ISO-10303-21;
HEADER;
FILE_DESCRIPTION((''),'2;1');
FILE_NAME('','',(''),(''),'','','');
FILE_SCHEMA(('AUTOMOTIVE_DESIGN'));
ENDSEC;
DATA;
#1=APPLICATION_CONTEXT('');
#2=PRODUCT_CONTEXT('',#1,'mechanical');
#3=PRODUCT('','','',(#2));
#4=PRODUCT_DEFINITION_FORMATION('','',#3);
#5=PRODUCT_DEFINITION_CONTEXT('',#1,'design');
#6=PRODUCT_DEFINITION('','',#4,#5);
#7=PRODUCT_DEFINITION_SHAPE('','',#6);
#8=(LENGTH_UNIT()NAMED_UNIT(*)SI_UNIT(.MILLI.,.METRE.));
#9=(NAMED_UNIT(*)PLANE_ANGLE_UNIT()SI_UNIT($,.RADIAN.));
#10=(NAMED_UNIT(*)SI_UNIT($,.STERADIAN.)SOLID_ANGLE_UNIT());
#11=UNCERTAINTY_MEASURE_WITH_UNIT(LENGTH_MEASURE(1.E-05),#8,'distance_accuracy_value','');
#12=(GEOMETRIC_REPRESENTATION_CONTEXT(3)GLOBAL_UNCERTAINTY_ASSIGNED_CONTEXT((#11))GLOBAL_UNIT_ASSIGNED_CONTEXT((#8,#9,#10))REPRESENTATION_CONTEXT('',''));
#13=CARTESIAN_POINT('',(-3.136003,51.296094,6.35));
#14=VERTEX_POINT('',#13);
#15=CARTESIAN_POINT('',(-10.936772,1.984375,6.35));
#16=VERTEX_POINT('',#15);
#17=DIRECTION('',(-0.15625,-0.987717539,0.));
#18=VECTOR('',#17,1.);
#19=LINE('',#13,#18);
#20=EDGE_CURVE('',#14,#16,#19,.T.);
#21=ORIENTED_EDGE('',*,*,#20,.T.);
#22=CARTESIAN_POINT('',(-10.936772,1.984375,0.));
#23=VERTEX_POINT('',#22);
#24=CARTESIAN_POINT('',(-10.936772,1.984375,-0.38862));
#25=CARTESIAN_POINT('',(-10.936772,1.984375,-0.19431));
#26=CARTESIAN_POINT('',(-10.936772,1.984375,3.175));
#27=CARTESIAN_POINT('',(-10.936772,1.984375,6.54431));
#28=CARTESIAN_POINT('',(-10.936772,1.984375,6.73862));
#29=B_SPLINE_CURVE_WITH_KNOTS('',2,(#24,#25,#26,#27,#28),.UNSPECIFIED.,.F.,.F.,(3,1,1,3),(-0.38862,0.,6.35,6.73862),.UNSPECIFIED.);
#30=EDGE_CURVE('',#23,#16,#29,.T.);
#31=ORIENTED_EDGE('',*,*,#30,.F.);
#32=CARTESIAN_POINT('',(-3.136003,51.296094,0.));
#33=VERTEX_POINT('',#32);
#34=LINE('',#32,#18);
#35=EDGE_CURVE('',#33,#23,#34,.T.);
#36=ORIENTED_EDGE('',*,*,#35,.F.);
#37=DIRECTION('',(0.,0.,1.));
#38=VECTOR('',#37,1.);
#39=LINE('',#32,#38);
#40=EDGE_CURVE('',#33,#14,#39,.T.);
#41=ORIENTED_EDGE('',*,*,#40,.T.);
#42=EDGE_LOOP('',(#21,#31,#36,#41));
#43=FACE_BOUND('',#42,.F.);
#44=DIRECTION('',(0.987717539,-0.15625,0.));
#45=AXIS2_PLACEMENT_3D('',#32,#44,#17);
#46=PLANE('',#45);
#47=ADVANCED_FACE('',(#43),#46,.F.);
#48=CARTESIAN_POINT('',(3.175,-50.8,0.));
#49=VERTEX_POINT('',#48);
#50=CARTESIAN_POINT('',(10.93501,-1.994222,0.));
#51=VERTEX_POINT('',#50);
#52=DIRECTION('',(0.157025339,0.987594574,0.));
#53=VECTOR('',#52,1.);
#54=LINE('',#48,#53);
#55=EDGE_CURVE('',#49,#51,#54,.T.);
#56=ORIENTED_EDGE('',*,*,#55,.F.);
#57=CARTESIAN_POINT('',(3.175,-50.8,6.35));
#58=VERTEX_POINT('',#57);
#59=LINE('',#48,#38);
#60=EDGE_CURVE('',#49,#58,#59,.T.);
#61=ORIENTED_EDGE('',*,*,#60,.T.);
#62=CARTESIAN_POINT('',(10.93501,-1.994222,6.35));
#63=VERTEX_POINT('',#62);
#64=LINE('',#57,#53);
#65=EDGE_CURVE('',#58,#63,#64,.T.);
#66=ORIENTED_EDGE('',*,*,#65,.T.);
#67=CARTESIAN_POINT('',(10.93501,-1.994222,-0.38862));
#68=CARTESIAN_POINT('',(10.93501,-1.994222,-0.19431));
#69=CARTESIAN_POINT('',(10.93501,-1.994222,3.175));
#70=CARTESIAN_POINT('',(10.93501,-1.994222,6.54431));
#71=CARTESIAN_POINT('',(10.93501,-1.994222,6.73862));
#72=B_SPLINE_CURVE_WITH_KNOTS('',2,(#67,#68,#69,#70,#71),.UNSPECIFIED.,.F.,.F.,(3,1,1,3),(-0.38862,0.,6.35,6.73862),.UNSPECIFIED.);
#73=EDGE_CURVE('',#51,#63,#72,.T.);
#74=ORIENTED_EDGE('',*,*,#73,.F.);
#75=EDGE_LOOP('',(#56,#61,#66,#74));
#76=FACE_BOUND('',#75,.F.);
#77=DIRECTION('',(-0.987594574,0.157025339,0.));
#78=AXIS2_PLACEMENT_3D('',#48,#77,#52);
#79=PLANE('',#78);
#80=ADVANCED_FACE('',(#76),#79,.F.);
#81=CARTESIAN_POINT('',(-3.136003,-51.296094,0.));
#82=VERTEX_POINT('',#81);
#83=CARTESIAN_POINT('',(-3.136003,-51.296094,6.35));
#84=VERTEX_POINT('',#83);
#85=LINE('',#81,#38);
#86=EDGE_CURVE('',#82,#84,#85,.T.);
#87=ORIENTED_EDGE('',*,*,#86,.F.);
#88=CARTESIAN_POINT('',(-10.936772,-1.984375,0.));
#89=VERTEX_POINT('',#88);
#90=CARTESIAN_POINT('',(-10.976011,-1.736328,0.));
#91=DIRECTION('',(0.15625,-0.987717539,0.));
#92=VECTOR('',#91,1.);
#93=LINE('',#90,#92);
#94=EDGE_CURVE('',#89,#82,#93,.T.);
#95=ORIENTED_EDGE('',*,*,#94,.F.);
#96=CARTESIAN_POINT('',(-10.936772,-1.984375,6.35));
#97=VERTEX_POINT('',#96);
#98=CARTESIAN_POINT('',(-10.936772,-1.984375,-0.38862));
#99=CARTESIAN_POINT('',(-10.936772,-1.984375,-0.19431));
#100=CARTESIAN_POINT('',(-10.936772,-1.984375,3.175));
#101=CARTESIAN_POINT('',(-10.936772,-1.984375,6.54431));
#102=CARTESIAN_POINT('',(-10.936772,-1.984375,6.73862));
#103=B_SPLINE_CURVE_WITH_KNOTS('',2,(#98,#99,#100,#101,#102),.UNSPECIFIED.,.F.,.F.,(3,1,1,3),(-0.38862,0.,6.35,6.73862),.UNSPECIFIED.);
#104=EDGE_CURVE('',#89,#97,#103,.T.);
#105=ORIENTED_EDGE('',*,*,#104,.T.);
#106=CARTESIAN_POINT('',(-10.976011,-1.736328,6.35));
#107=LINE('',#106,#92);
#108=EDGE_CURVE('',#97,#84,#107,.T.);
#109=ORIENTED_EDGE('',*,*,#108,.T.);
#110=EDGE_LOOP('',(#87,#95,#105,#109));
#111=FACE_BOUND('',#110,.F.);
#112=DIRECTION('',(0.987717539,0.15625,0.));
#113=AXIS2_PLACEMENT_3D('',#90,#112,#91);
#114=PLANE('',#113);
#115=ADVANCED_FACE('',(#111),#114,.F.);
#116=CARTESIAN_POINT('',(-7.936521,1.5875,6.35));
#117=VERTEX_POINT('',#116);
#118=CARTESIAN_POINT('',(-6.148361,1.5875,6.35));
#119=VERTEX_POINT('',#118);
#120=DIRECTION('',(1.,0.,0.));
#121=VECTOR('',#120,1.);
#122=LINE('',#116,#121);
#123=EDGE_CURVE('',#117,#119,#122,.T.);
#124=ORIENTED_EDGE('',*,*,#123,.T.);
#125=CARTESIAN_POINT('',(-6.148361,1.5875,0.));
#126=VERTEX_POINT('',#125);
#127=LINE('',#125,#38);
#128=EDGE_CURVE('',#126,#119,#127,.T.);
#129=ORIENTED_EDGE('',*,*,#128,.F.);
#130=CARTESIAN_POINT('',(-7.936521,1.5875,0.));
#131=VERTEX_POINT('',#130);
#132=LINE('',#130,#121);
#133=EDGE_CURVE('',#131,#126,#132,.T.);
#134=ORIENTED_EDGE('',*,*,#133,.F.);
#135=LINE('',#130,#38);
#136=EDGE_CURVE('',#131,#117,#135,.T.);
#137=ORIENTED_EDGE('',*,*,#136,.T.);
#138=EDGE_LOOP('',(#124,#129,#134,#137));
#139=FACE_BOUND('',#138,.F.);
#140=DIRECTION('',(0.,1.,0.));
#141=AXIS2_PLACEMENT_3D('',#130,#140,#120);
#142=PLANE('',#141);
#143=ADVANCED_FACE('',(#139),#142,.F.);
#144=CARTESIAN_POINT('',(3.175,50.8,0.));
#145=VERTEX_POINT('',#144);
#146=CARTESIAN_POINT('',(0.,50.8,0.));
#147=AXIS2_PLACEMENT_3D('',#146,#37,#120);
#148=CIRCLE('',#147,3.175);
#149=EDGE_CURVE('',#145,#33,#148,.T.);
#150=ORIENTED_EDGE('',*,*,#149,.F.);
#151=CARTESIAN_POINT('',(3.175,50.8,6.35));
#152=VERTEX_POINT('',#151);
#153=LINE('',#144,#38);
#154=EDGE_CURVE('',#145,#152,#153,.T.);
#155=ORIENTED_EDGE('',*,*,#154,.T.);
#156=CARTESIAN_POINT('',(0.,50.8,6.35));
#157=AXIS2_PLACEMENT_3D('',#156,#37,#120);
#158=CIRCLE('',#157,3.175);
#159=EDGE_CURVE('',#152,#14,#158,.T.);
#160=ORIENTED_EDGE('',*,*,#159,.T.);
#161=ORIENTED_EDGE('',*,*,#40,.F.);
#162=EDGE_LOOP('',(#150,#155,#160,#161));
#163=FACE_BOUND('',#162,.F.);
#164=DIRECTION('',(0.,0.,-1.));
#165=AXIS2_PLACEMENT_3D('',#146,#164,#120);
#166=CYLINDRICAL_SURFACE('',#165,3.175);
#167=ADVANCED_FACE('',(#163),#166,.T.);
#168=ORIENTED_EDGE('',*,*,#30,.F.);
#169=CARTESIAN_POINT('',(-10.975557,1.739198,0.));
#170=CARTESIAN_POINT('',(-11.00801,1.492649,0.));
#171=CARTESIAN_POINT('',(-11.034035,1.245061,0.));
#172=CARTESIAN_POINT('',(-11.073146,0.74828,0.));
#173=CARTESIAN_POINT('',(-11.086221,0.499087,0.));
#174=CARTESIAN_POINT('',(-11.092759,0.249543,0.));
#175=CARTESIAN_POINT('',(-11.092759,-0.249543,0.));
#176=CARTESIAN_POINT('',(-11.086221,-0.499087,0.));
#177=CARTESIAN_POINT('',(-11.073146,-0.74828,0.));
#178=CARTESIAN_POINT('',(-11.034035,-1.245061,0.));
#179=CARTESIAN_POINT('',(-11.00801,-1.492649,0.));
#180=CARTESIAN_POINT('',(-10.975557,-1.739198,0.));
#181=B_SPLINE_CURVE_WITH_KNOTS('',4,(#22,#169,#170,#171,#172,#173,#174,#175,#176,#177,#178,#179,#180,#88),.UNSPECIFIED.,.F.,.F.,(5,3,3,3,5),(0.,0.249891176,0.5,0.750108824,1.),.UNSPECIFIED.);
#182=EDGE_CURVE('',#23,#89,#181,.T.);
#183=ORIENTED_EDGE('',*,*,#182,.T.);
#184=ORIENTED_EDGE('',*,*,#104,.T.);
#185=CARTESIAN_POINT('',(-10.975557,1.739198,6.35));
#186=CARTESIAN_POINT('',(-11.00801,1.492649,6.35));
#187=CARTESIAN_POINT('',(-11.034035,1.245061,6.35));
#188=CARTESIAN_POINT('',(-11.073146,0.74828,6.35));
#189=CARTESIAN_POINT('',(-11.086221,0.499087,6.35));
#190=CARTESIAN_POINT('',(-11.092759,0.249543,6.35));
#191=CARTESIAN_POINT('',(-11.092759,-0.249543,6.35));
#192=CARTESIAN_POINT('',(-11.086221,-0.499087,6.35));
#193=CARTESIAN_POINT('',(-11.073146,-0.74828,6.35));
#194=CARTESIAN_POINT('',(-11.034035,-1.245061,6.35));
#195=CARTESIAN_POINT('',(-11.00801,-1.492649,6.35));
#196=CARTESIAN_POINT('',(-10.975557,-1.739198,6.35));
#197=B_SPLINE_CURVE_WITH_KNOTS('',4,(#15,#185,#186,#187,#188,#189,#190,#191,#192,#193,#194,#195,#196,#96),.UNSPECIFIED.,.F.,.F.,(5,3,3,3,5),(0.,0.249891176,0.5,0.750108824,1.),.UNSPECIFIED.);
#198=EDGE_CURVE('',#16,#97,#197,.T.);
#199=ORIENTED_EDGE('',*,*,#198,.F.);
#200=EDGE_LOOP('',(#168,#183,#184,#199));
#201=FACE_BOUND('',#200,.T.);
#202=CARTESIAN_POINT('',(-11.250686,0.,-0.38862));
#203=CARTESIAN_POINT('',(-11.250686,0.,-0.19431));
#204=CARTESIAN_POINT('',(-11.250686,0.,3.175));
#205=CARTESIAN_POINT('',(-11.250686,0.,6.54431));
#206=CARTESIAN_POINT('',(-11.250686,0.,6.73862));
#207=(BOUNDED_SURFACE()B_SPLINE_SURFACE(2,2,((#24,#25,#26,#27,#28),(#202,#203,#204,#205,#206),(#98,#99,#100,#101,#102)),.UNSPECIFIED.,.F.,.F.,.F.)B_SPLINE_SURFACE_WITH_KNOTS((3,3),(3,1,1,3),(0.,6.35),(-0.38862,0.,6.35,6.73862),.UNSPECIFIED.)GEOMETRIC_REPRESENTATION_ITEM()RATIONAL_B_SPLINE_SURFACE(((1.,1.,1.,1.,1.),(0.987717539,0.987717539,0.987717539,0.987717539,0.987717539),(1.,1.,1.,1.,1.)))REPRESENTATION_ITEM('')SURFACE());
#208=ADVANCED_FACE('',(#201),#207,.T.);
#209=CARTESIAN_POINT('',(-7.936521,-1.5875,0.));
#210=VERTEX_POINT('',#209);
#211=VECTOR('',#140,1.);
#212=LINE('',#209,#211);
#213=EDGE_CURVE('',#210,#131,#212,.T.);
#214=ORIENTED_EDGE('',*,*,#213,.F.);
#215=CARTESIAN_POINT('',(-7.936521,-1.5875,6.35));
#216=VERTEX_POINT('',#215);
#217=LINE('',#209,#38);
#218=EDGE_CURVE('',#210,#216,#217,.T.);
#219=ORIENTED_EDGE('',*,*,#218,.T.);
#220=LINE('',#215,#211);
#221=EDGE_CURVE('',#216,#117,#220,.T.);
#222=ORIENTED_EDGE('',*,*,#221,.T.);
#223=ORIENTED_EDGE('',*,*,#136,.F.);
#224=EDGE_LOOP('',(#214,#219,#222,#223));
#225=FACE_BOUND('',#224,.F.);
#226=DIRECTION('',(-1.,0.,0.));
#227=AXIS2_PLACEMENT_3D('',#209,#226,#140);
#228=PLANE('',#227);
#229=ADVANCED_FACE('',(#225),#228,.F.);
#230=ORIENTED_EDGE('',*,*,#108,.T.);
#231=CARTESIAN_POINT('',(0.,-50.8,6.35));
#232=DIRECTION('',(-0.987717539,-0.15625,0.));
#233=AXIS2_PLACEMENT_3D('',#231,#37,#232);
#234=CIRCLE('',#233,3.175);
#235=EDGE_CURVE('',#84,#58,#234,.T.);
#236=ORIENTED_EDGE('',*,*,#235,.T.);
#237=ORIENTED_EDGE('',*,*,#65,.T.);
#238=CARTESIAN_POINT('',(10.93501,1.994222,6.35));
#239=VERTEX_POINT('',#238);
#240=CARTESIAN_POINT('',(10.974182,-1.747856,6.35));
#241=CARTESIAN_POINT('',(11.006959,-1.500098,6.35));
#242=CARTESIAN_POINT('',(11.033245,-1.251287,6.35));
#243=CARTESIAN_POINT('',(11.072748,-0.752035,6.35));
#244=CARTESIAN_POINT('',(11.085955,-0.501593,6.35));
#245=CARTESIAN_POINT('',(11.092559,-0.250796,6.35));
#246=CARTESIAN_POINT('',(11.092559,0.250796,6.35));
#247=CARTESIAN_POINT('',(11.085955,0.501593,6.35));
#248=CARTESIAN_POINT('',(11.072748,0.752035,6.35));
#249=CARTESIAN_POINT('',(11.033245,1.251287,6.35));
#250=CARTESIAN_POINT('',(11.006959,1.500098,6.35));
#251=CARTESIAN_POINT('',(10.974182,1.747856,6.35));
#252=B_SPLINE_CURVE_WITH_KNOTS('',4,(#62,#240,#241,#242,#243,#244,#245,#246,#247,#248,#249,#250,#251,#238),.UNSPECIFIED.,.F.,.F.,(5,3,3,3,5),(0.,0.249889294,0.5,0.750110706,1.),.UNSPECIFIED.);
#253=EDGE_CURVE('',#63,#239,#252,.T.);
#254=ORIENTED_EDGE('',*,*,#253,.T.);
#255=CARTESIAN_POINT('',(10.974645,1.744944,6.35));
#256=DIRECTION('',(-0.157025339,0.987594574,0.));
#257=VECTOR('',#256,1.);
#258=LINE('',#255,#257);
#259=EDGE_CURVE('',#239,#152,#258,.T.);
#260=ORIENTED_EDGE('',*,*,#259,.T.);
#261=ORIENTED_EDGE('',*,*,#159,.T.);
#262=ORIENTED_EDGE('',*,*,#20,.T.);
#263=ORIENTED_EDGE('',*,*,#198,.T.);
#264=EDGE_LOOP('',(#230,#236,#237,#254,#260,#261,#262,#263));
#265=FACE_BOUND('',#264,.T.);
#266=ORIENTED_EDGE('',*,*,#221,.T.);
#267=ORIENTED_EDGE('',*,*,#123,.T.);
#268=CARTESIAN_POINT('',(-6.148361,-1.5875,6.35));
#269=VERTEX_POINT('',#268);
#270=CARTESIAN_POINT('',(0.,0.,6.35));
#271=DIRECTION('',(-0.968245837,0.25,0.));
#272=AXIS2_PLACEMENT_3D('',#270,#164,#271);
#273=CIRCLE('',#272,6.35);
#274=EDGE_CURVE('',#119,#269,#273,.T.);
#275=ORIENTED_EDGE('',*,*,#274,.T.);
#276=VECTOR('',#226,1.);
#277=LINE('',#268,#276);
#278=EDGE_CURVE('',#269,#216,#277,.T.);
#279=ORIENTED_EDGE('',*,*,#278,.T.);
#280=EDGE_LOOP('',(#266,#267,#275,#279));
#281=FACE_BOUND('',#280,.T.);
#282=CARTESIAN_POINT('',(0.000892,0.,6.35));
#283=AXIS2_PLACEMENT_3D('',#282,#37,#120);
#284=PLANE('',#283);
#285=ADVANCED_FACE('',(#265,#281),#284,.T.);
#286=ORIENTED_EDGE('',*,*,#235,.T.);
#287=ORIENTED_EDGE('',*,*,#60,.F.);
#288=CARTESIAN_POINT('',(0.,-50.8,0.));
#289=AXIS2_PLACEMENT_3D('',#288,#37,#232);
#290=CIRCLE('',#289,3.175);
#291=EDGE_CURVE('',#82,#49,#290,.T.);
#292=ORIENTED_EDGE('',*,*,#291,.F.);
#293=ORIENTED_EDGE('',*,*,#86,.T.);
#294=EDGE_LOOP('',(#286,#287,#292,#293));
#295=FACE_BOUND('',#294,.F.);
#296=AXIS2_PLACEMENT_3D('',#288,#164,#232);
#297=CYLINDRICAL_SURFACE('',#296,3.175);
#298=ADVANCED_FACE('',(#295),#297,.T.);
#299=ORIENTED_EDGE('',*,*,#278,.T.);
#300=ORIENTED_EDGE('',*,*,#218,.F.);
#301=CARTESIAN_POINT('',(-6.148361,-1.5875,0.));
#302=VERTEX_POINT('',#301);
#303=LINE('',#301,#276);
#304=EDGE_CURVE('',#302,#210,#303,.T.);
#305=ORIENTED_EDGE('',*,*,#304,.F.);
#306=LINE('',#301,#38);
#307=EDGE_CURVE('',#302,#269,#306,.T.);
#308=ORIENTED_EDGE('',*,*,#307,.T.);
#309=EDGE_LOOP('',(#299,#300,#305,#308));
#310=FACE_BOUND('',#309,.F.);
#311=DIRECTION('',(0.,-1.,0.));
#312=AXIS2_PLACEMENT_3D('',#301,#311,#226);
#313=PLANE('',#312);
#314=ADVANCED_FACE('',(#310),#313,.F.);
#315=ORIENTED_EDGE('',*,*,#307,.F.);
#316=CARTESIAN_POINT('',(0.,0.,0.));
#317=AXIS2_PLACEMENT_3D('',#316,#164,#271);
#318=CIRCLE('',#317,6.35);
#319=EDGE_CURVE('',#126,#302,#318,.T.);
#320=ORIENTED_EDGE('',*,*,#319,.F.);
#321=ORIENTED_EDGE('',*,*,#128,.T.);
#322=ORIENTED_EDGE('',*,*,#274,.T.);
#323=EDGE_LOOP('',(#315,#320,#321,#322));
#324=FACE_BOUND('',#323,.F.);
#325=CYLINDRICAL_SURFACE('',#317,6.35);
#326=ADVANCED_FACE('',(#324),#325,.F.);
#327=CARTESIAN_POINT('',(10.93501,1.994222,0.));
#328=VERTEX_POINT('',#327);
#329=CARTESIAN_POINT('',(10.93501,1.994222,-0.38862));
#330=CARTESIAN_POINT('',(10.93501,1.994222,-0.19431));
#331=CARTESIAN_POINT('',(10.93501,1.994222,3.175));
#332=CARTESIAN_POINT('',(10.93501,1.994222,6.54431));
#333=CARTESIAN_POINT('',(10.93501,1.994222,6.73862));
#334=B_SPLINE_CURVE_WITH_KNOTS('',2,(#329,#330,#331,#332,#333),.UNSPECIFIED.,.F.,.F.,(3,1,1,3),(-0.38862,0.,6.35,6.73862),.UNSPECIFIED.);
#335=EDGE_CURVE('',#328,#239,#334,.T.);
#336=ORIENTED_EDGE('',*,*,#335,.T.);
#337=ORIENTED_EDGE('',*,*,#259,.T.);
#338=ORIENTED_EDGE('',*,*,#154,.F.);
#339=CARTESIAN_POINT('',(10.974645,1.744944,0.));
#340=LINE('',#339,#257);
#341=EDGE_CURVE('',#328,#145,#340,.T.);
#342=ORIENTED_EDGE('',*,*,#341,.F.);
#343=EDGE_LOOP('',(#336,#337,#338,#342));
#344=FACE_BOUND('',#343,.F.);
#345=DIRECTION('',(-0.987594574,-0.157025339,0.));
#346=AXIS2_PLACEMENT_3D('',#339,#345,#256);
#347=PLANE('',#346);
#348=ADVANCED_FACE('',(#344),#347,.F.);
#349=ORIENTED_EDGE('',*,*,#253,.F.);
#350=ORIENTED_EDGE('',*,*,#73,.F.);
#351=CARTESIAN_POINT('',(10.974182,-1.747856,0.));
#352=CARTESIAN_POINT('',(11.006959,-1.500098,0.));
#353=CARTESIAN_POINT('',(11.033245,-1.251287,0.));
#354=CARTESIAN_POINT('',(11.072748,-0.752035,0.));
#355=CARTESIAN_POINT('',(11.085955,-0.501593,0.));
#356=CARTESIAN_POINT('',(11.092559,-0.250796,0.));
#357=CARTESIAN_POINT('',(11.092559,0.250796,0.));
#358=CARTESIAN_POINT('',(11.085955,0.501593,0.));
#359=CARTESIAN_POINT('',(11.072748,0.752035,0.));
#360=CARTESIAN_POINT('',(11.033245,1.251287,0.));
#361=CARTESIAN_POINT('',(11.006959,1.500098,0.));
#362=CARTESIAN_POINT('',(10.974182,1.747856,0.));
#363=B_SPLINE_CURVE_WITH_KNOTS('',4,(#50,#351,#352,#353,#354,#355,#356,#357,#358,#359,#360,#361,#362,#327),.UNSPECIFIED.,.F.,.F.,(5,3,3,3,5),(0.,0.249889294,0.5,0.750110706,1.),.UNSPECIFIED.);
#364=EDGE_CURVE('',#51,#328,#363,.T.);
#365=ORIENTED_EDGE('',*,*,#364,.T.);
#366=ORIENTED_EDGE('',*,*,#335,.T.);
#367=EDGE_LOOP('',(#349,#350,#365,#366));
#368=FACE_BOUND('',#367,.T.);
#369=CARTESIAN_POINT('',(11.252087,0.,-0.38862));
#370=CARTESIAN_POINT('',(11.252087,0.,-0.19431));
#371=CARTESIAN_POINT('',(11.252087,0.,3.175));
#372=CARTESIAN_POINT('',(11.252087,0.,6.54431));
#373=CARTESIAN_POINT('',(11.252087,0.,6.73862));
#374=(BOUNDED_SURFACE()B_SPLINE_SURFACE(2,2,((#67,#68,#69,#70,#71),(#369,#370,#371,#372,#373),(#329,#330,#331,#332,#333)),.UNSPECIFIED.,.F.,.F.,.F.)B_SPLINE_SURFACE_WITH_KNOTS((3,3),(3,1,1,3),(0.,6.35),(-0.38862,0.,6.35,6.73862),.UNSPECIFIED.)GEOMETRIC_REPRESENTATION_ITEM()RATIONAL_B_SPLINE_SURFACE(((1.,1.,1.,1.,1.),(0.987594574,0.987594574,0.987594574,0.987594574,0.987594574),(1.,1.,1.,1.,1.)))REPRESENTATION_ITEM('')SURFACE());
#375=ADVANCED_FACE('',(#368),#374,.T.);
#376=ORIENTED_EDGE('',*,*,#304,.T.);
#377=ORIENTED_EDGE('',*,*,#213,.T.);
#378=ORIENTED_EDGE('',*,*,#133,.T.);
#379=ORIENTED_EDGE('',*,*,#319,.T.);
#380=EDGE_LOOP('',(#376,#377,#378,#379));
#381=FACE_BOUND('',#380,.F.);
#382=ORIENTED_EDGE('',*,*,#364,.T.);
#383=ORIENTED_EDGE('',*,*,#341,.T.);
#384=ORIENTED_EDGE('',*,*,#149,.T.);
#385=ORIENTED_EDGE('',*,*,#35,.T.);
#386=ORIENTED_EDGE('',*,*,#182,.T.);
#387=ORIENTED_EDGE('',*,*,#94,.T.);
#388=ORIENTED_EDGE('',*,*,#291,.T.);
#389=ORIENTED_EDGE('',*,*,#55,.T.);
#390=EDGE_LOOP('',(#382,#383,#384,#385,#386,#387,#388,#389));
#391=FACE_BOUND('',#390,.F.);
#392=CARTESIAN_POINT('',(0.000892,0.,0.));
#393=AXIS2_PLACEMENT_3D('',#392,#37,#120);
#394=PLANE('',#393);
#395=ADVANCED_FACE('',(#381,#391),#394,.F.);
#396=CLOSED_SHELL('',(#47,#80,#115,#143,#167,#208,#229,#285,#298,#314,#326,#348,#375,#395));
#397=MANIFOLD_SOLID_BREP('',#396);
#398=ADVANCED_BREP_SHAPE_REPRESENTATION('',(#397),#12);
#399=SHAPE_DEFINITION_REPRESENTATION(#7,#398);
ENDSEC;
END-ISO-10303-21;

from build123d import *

# Parameters (mm, degrees)
F1_DEPTH = 6.35
F2_R     = 12.7


with BuildPart() as f1:
    # F0 (on Top) → F1 (new body)
    with BuildSketch(Plane.XY):
        with BuildLine():
            ThreePointArc((10.9746446845, -1.744944211), (11.0779825624, -0.875190606), (11.1125, 0))
            ThreePointArc((11.1125, 0), (11.0779825682, 0.8751905326), (10.9746447076, 1.7449440655))
            ThreePointArc((10.9746447076, 1.7449440655), (-0.0043616995, 11.112499144), (-10.9760111207, 1.7363283471))
            ThreePointArc((-10.9760111207, 1.7363283471), (-11.1125, 6.19e-08), (-10.97601114, -1.7363282248))
            ThreePointArc((-10.97601114, -1.7363282248), (-0.004361835, -11.112499144), (10.9746446845, -1.744944211))
        make_face()
        with BuildLine():
            ThreePointArc((-6.1483610621, 1.5875), (6.35, 0), (-6.1483610621, -1.5875))
            Line((-6.1483610621, -1.5875), (-7.9365210621, -1.5875))
            Line((-7.9365210621, -1.5875), (-7.9365210621, 1.5875))
            Line((-7.9365210621, 1.5875), (-6.1483610621, 1.5875))
        make_face(mode=Mode.SUBTRACT)
        with BuildLine():
            ThreePointArc((10.9746447076, 1.7449440655), (11.0779825682, 0.8751905326), (11.1125, 0))
            ThreePointArc((11.1125, 0), (11.0779825624, -0.875190606), (10.9746446845, -1.744944211))
            Line((10.9746446845, -1.744944211), (11.2520869302, 0))
            Line((11.2520869302, 0), (10.9746447076, 1.7449440655))
        make_face()
        with BuildLine():
            ThreePointArc((-10.9760111207, 1.7363283471), (-0.0043616995, 11.112499144), (10.9746447076, 1.7449440655))
            Line((10.9746447076, 1.7449440655), (3.175, 50.8))
            ThreePointArc((3.175, 50.8), (-0.2488120577, 47.6347642173), (-3.1360031874, 51.29609375))
            Line((-3.1360031874, 51.29609375), (-10.9760111207, 1.7363283471))
        make_face()
        with BuildLine():
            Line((3.175, -50.8), (10.9746446845, -1.744944211))
            ThreePointArc((10.9746446845, -1.744944211), (-0.004361835, -11.112499144), (-10.97601114, -1.7363282248))
            Line((-10.97601114, -1.7363282248), (-3.1360031874, -51.29609375))
            ThreePointArc((-3.1360031874, -51.29609375), (-0.2488120577, -47.6347642173), (3.175, -50.8))
        make_face()
        with BuildLine():
            ThreePointArc((-10.97601114, -1.7363282248), (-11.1125, 6.19e-08), (-10.9760111207, 1.7363283471))
            Line((-10.9760111207, 1.7363283471), (-11.2506861097, 0))
            Line((-11.2506861097, 0), (-10.97601114, -1.7363282248))
        make_face()
        with BuildLine():
            ThreePointArc((-3.1360031874, 51.29609375), (-0.2488120577, 47.6347642173), (3.175, 50.8))
            ThreePointArc((3.175, 50.8), (0.2488120577, 53.9652357827), (-3.1360031874, 51.29609375))
        make_face()
        with BuildLine():
            ThreePointArc((-3.1360031874, -51.29609375), (0.2488120577, -53.9652357827), (3.175, -50.8))
            ThreePointArc((3.175, -50.8), (-0.2488120577, -47.6347642173), (-3.1360031874, -51.29609375))
        make_face()
    extrude(amount=F1_DEPTH)

    # F2
    f2_edges = [f1.edges().sort_by_distance(p)[0] for p in [
        (-11.250686, 0, 3.175),
        (11.252087, 0, 3.175),
    ]]
    fillet(f2_edges, radius=F2_R)


solid = f1.part
